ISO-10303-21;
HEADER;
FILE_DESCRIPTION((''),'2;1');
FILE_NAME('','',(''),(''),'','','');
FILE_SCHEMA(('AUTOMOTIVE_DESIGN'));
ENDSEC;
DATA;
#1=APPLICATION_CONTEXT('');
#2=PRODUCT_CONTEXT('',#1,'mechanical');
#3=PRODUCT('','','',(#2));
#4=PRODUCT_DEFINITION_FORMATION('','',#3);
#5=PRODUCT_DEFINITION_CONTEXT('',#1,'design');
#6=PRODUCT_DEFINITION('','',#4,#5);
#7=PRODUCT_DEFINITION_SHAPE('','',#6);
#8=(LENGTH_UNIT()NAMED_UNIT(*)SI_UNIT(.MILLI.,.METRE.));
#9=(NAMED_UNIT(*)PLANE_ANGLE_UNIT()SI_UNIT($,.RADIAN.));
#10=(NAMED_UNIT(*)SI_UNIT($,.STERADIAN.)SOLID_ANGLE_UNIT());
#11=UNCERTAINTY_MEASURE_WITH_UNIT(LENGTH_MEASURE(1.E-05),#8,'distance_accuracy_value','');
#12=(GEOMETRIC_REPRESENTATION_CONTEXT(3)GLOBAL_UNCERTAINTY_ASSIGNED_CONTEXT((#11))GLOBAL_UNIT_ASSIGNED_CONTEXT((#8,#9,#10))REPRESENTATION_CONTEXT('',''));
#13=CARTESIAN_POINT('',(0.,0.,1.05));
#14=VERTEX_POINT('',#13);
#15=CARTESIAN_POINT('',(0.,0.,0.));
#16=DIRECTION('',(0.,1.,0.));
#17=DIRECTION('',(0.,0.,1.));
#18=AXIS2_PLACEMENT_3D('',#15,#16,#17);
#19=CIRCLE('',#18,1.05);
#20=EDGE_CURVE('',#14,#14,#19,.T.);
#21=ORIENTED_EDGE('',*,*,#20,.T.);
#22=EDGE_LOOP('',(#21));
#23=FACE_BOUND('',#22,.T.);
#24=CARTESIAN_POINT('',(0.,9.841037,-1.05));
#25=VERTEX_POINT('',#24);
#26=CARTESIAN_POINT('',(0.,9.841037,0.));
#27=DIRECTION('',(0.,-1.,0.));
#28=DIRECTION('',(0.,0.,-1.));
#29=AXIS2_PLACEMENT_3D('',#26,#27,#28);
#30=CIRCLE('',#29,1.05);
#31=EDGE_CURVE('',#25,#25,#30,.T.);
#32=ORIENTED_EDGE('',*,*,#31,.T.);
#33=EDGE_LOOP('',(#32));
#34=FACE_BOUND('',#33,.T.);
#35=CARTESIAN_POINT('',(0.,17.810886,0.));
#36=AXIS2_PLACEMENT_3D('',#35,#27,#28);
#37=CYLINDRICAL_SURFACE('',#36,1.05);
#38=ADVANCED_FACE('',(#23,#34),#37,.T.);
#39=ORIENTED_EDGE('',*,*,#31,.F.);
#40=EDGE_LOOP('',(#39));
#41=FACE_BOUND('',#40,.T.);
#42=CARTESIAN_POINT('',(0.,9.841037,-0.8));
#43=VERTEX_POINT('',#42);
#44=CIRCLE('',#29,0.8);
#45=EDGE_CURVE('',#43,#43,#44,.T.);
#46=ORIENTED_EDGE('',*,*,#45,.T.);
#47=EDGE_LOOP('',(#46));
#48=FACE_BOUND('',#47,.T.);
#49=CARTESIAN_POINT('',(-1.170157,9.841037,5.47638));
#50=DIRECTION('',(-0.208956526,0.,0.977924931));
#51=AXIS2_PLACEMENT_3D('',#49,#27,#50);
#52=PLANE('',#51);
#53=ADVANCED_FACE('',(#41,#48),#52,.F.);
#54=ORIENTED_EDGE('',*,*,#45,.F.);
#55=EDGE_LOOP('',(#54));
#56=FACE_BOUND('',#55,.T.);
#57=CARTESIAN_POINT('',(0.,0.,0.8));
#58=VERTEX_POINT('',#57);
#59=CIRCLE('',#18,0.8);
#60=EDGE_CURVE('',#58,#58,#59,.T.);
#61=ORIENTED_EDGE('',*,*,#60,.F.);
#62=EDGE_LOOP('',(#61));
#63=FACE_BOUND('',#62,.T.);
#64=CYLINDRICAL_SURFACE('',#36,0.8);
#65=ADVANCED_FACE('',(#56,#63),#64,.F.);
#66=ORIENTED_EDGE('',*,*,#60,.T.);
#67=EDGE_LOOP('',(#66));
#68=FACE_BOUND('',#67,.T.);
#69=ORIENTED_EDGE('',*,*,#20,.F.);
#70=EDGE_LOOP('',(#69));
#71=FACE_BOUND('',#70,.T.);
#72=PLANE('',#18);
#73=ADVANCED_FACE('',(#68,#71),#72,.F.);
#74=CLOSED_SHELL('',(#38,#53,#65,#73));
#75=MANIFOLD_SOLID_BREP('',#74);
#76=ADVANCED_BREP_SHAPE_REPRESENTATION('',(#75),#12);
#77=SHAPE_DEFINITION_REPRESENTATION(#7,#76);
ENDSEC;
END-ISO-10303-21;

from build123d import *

# Parameters (mm, degrees)
SKETCH1_R           = 1.05
SKETCH1_R_2         = 0.8
BOSS_EXTRUDE1_DEPTH = 9.841037076


with BuildPart() as part:
    # Sketch1 → Boss-Extrude1 (new body)
    with BuildSketch(Plane(origin=(0, 0, 0), x_dir=(1, 0, 0), z_dir=(0, 1, 0))):
        with Locations(Location((0, 0, 0), (0, 0, 90))):
            Circle(SKETCH1_R)
        with Locations(Location((0, 0, 0), (0, 0, 90))):
            Circle(SKETCH1_R_2, mode=Mode.SUBTRACT)
    extrude(amount=BOSS_EXTRUDE1_DEPTH)


solid = part.part
